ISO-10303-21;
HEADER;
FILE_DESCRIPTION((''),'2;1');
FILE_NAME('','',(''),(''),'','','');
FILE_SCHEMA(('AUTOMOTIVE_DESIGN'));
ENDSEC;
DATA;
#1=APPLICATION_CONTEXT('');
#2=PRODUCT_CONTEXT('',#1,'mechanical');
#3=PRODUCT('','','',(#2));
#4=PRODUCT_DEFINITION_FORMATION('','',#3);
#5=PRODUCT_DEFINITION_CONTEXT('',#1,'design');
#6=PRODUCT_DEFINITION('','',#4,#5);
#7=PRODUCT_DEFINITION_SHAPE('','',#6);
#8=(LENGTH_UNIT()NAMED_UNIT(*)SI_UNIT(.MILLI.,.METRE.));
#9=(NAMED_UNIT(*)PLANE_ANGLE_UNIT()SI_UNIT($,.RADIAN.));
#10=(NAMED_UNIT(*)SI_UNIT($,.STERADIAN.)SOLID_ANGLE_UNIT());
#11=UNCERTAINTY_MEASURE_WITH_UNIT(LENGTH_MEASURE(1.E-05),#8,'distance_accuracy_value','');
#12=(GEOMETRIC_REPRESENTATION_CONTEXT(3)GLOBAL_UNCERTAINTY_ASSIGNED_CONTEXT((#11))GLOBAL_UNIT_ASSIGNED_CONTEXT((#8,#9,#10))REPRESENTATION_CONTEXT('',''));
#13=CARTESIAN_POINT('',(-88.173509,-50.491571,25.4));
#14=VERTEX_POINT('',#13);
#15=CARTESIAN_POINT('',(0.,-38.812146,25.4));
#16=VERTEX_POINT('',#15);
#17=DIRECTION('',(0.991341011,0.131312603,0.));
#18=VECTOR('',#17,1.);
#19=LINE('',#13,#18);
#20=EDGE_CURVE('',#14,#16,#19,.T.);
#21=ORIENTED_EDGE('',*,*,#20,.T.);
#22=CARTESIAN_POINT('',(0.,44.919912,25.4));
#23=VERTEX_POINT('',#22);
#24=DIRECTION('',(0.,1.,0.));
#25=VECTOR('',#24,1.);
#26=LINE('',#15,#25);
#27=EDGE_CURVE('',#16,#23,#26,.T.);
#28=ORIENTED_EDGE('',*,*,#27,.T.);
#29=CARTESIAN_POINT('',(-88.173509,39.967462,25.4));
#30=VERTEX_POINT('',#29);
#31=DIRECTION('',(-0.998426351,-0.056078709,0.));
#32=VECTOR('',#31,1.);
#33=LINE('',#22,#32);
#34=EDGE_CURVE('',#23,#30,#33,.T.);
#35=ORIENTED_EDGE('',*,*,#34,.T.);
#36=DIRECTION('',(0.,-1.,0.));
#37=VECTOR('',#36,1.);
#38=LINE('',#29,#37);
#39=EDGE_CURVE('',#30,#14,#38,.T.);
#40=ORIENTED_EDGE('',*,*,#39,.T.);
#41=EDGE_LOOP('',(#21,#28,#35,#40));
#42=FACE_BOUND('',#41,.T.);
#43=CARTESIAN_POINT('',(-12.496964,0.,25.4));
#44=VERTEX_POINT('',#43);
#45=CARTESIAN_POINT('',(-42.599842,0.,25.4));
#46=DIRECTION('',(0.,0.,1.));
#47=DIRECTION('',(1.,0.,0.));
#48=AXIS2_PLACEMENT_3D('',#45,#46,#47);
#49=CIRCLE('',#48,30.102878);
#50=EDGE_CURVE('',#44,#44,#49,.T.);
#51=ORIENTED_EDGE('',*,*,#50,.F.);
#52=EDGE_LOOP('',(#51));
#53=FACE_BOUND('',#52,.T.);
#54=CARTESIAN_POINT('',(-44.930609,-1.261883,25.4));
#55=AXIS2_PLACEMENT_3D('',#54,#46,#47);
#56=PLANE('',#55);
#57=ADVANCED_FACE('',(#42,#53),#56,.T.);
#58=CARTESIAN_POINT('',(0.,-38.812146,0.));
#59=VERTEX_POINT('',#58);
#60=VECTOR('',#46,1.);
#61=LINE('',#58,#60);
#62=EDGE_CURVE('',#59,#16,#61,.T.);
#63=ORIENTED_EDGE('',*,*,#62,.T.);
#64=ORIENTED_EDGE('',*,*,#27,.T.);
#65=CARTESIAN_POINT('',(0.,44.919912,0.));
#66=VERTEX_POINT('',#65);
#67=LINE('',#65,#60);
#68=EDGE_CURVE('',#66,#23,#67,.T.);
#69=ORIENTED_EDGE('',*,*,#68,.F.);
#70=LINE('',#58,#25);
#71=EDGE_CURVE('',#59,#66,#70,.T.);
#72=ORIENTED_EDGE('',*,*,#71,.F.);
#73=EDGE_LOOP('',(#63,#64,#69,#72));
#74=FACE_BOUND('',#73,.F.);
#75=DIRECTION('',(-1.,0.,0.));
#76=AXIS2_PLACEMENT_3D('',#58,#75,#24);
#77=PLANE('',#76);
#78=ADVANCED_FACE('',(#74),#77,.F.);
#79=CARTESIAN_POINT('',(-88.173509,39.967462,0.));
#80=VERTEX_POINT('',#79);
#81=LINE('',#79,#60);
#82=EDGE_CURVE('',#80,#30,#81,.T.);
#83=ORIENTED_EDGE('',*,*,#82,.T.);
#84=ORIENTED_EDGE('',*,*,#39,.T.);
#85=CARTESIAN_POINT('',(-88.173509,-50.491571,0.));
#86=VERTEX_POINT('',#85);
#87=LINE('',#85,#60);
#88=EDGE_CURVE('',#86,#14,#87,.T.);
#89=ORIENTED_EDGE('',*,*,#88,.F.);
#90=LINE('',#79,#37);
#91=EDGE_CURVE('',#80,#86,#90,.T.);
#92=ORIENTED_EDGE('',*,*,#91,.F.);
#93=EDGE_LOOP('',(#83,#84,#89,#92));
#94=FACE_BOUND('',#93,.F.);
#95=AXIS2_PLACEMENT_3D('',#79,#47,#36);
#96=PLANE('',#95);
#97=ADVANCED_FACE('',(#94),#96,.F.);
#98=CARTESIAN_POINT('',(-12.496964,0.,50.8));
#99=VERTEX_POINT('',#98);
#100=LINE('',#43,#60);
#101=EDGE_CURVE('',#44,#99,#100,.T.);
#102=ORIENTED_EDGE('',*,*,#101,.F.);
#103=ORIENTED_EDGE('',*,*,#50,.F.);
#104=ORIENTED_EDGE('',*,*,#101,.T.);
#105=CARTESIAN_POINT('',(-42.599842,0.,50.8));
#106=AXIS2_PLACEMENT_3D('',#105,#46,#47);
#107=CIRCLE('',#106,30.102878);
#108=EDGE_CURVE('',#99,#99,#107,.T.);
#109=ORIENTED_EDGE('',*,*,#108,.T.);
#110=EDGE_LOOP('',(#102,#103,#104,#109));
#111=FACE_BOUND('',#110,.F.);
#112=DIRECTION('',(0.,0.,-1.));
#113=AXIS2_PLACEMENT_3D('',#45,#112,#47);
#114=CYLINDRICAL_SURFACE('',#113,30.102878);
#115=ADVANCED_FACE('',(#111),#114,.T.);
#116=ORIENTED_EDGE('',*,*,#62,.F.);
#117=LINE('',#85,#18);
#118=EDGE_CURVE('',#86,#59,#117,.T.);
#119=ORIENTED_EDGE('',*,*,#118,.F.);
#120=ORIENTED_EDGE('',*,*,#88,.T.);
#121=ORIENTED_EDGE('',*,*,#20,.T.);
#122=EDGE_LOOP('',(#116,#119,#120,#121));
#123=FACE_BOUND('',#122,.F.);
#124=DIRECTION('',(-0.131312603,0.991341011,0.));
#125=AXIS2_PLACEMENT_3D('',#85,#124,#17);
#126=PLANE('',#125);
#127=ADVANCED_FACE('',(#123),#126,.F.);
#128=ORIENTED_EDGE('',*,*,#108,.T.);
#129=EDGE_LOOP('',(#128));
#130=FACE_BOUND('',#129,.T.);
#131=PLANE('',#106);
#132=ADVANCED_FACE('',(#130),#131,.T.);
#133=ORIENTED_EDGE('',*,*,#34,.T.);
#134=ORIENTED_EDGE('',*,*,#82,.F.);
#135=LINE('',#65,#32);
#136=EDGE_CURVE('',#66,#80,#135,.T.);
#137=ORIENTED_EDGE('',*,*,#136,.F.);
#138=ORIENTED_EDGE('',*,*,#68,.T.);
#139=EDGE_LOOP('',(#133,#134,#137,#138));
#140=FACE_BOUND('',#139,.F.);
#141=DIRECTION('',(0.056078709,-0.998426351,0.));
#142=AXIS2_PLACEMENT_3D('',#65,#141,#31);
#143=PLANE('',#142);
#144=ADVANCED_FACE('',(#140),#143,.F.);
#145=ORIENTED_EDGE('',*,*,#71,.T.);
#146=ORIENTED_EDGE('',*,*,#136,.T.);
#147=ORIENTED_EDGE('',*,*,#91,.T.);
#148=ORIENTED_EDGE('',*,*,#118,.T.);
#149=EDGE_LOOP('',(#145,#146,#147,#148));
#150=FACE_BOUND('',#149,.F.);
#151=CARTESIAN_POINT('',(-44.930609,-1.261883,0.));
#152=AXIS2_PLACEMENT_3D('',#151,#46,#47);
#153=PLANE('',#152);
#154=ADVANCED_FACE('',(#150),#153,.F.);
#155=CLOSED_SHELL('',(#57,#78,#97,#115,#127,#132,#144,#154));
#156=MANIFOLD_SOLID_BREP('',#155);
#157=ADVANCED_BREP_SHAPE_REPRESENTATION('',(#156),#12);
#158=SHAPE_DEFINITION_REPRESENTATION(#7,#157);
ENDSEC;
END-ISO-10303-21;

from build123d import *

# Parameters (mm, degrees)
F1_DEPTH = 25.4
F2_R     = 30.102878
F3_DEPTH = 25.4


with BuildPart() as f1:
    # F0 (on Top) → F1 (new body)
    with BuildSketch(Plane.XY):
        Polygon((0, 44.919912), (-88.173509, 39.967462), (-88.173509, -50.491571), (0, -38.812146), align=None)
    extrude(amount=F1_DEPTH)

    # F2 (on face) → F3 (join)
    with BuildSketch(Plane.XY.offset(25.4)):
        with Locations((-42.599842, 0)):
            Circle(F2_R)
    extrude(amount=F3_DEPTH)


solid = f1.part
